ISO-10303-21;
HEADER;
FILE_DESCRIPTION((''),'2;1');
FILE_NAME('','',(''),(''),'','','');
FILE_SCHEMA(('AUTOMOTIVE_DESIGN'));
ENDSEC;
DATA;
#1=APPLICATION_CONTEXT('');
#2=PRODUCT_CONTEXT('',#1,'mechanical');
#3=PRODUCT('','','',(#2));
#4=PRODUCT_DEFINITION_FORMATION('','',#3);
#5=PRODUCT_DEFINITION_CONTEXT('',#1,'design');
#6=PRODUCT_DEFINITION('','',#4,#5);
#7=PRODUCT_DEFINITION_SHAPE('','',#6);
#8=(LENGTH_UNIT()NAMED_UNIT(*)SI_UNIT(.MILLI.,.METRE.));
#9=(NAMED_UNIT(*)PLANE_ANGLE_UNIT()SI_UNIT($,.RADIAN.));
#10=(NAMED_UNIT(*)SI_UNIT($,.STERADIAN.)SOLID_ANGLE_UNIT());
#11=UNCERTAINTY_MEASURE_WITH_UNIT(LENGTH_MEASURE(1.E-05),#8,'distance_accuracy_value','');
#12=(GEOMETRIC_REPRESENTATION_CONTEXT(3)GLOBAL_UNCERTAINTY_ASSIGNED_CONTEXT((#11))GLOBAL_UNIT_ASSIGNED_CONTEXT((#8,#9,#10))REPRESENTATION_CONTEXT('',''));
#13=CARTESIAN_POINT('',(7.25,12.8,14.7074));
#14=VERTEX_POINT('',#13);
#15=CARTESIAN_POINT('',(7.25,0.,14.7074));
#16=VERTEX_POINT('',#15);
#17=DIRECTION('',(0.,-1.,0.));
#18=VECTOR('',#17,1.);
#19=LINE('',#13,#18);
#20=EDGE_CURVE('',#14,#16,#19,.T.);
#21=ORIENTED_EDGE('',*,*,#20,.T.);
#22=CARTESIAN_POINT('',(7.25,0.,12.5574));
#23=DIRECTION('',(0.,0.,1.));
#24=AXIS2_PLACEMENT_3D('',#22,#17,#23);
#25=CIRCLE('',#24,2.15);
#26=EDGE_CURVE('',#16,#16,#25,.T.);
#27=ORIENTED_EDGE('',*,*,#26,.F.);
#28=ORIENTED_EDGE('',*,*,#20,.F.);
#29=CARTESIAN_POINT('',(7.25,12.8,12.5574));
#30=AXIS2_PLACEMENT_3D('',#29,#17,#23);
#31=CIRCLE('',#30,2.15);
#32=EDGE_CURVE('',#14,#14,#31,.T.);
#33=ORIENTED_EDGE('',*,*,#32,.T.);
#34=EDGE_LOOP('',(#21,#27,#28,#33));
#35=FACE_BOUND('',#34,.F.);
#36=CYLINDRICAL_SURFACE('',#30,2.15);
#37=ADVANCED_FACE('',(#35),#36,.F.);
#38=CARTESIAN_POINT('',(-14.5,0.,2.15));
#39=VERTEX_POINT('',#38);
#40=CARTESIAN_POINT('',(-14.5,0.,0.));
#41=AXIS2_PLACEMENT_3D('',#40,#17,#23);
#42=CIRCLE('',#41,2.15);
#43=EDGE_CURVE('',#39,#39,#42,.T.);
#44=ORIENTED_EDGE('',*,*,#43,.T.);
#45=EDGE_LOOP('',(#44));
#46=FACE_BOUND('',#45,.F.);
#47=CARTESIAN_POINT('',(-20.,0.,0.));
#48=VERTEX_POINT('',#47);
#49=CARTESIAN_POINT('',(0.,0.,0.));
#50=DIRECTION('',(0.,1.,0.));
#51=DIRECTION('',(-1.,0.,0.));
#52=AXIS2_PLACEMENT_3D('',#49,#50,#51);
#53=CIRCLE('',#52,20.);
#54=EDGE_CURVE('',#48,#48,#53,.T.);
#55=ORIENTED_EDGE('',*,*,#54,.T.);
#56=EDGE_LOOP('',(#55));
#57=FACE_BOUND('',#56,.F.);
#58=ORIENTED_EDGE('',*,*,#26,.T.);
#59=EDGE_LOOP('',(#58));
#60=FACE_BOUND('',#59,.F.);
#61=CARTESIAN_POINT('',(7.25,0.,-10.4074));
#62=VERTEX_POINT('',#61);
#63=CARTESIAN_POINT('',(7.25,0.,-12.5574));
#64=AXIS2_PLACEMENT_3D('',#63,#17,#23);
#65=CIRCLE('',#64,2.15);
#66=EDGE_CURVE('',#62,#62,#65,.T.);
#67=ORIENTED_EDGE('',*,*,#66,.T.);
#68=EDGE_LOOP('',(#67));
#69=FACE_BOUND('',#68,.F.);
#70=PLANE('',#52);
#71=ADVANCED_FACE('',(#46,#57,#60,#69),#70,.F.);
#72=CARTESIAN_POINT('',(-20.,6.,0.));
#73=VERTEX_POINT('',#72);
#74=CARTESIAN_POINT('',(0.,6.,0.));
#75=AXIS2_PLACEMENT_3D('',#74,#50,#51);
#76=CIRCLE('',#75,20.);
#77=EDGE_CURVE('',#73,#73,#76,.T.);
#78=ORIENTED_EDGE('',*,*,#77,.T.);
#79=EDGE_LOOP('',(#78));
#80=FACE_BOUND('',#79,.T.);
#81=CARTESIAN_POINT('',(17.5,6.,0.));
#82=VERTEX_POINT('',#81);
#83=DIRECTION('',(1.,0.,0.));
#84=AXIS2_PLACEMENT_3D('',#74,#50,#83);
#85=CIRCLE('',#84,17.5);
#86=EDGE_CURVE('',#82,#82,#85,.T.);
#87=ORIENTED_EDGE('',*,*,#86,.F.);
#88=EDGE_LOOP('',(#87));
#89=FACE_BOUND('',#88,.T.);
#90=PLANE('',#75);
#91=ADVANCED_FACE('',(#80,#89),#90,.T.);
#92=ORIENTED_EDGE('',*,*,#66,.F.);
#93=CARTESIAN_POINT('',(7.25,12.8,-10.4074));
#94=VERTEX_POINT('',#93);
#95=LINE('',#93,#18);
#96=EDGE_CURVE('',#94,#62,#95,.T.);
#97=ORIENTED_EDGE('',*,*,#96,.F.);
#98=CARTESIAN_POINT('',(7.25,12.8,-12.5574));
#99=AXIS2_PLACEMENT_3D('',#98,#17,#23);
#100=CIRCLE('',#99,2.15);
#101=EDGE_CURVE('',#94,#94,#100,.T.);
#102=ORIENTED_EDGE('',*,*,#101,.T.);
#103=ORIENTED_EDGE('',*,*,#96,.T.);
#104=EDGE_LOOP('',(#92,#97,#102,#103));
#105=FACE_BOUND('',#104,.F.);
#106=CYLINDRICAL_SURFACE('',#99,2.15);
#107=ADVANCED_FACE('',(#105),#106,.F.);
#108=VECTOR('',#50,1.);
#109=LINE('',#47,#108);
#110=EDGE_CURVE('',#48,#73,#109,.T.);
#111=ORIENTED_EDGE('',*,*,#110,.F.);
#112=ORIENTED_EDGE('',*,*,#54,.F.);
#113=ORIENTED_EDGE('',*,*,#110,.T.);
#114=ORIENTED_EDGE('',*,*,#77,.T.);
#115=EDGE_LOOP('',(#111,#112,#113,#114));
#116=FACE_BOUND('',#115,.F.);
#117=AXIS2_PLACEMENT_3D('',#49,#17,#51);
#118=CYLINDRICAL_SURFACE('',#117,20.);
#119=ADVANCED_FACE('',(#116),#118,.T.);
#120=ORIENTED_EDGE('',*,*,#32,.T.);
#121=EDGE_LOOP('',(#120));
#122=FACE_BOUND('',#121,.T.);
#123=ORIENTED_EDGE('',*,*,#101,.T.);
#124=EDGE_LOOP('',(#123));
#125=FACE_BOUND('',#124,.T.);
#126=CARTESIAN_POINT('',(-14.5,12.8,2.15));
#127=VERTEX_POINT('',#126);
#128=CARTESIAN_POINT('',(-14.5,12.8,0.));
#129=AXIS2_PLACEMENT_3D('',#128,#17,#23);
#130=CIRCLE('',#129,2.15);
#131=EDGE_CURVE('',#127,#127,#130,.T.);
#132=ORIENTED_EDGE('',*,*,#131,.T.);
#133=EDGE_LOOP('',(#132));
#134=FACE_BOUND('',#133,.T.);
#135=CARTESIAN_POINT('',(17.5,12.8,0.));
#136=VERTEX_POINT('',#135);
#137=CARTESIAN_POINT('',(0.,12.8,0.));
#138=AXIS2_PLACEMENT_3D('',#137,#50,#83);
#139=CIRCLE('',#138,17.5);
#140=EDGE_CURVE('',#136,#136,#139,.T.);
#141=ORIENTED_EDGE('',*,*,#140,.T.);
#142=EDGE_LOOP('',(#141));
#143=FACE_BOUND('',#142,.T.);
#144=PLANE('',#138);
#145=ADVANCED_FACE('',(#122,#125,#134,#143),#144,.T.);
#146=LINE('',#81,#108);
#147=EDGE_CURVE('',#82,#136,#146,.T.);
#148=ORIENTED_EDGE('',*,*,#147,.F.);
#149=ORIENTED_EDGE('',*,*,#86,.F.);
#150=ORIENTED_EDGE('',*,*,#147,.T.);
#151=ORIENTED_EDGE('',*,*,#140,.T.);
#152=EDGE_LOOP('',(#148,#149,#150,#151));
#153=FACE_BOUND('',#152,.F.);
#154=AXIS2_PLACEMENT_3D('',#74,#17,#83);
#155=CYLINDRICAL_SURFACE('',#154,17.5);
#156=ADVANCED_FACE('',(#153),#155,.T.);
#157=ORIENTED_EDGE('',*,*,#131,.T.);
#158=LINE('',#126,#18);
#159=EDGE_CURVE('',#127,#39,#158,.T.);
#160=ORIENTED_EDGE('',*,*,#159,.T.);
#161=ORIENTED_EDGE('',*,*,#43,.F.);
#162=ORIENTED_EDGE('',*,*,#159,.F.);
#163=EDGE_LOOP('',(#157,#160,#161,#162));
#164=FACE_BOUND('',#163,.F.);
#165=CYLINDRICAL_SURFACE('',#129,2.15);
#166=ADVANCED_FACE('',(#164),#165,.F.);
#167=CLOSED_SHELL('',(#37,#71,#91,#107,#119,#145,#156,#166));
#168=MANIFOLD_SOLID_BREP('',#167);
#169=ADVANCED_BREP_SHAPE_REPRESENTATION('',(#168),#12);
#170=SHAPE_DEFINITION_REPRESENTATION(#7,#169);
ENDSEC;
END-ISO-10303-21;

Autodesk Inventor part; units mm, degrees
ref_plane "YZ Plane" through (0, 0, 0) normal (1, 0, 0) x (0, 1, 0)
ref_plane "XZ Plane" through (0, 0, 0) normal (0, 1, 0) x (-1, 0, 0)
ref_plane "XY Plane" through (0, 0, 0) normal (0, 0, 1) x (1, 0, 0)
sketch "Sketch1" plane through (0, 0, 0) normal (0, 1, 0) x (-1, 0, 0)
  circle A0 centre (0, 0) radius 20
  dimension "d0" = 40
extrude "Extrusion1" add sketch "Sketch1" along normal blind 6
sketch "Sketch2" plane through (0, 6, 0) normal (0, 1, 0) x (1, 0, 0)
  circle A0 centre (0, 0) radius 17.5
  dimension "d3" = 35
extrude "Extrusion2" add sketch "Sketch2" along normal blind 6.8
sketch "Sketch3" plane through (0, 12.8, 0) normal (0, 1, 0) x (1, 0, 0)
  circle A0 centre (0, 0) radius 14.5 construction
  line L0 (0, 0) -> (-14.5, 0) construction
  point P0 (7.25, -12.5574)
  point P1 (7.25, 12.5574)
  dimension "d6" = 29
  dimension "d9" = 360
hole "Hole1" at (-14.5, 12.8, 0) at (7.25, 12.8, 12.5574) at (7.25, 12.8, -12.5574) direction (0, -1, 0) diameter 4.3 end through all
properties part number "Arm - slew column B"
